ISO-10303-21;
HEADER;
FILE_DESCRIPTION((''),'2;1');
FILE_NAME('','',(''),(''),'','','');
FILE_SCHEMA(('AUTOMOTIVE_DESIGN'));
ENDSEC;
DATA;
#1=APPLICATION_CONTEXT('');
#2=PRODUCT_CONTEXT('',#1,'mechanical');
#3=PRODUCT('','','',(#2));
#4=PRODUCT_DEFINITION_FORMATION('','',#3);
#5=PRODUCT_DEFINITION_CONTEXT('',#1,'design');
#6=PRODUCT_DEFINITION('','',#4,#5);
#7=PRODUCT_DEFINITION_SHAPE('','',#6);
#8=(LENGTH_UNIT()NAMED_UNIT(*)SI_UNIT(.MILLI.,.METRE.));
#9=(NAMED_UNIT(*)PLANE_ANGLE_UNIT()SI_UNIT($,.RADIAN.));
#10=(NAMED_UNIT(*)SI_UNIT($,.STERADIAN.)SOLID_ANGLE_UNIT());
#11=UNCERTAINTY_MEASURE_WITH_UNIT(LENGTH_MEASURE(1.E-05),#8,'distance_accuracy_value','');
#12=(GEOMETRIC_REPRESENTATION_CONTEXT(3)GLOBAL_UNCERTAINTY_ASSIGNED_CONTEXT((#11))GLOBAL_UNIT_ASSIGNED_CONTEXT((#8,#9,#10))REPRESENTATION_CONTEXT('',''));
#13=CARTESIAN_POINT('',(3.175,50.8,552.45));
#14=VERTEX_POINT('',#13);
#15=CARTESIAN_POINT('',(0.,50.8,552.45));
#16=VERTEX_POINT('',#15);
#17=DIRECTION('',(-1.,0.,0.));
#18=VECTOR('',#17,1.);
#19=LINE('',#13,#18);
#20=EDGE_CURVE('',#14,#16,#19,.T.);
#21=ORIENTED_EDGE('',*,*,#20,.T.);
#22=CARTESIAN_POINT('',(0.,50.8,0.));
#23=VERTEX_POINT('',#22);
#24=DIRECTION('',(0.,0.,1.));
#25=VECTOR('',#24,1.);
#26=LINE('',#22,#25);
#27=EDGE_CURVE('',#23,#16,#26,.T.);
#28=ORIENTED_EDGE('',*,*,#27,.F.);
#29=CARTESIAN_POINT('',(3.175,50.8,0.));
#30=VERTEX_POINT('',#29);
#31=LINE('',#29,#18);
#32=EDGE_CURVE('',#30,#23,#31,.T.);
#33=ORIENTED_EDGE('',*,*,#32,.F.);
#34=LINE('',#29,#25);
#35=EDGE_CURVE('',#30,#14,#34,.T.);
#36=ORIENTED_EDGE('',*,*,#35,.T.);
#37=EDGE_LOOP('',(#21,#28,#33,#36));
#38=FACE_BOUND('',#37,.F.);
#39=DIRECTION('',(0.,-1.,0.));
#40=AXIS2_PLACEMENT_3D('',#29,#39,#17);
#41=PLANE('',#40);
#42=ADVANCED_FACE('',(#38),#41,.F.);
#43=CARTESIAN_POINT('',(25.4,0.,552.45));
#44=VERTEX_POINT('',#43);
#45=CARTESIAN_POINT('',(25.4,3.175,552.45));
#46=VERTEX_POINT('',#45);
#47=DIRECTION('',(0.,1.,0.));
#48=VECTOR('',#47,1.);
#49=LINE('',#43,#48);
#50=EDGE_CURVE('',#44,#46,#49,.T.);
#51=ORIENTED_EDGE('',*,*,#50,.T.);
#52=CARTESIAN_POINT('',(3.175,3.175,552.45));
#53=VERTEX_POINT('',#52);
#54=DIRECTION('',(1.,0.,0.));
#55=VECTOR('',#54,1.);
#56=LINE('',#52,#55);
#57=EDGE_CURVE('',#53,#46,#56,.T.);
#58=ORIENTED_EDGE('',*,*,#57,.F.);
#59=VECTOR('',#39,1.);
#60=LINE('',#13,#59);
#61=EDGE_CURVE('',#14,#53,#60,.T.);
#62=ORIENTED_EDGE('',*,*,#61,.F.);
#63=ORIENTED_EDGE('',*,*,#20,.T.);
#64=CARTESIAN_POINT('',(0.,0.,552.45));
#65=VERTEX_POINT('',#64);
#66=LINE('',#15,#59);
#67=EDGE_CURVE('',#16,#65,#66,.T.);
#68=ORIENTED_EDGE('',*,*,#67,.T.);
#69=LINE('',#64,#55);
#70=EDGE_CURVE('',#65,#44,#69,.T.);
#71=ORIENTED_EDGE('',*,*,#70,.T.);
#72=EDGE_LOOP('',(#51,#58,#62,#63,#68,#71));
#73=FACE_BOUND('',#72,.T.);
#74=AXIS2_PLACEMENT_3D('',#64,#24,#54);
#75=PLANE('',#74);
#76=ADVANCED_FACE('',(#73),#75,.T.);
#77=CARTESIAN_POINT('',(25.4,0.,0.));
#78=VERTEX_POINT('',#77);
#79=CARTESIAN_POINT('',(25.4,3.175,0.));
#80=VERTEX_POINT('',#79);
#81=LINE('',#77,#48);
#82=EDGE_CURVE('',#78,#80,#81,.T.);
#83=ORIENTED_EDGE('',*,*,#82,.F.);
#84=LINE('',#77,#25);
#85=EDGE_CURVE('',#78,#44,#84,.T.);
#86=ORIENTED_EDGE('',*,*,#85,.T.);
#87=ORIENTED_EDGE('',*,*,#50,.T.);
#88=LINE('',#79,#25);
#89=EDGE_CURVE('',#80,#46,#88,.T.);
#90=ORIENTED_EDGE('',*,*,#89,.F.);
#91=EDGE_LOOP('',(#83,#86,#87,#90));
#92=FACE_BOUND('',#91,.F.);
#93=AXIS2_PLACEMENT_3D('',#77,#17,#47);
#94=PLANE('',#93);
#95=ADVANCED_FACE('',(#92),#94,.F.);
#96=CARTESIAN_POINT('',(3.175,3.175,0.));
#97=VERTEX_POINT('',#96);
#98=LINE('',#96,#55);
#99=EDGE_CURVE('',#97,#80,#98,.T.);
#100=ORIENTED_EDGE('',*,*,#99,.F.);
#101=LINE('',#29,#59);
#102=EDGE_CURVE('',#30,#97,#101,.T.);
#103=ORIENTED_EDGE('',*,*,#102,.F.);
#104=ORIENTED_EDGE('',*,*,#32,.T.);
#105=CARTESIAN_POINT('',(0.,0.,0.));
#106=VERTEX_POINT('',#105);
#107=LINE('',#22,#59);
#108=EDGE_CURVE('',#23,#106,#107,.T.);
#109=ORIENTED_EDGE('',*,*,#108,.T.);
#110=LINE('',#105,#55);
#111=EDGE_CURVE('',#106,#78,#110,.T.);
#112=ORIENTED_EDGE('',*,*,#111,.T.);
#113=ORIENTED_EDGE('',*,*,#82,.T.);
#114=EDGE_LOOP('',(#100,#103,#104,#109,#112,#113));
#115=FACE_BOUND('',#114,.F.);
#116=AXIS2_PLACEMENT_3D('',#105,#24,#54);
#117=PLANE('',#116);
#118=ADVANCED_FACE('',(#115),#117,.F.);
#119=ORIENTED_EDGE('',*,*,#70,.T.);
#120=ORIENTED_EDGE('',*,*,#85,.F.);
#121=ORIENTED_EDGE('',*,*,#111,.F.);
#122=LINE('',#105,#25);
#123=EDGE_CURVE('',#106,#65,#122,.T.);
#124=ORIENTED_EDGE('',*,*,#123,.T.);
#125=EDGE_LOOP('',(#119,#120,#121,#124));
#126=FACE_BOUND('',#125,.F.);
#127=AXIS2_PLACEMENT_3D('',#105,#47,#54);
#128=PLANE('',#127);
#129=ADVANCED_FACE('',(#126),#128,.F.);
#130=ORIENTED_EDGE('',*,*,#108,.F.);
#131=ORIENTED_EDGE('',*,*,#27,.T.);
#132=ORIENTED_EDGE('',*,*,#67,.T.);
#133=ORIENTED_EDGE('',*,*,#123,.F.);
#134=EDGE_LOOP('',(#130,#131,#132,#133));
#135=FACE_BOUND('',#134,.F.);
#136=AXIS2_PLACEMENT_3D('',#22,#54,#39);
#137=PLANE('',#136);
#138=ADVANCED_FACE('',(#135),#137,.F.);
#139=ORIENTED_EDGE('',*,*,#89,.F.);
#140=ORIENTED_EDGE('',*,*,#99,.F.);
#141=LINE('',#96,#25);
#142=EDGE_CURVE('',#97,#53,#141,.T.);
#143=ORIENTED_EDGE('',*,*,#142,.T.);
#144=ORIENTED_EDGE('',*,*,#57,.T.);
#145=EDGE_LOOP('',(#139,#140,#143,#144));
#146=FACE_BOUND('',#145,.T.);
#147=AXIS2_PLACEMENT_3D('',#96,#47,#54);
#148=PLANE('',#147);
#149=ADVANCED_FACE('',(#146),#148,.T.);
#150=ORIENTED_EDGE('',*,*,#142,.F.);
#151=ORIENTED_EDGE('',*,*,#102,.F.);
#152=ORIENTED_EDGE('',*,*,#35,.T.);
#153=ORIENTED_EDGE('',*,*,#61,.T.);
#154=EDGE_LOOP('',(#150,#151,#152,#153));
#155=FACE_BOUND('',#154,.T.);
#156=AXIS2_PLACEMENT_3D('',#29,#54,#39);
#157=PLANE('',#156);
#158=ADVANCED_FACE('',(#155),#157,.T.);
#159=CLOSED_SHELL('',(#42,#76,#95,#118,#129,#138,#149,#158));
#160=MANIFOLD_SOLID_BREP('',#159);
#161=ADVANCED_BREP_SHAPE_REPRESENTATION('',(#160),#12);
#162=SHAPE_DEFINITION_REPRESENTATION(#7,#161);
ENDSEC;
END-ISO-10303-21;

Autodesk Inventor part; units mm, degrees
ref_plane "YZ Plane" through (0, 0, 0) normal (1, 0, 0) x (0, 1, 0)
ref_plane "XZ Plane" through (0, 0, 0) normal (0, 1, 0) x (-1, 0, 0)
ref_plane "XY Plane" through (0, 0, 0) normal (0, 0, 1) x (1, 0, 0)
sketch "Sketch1" plane through (0, 0, 0) normal (0, 0, 1) x (1, 0, 0)
  line L0 (0, 0) -> (25.4, 0)
  line L1 (25.4, 0) -> (25.4, 3.175)
  line L2 (3.175, 50.8) -> (0, 50.8)
  line L3 (0, 50.8) -> (0, 0)
  line L4 (3.175, 3.175) -> (25.4, 3.175)
  line L5 (3.175, 50.8) -> (3.175, 3.175)
  dimension "d0" = 50.8
  dimension "d1" = 25.4
  dimension "d2" = 3.175
  dimension "d3" = 3.175
extrude "Extrusion1" add sketch "Sketch1" along normal blind 552.45
equation "\"d3\" = d2"
properties part number "8 ball L frame"
